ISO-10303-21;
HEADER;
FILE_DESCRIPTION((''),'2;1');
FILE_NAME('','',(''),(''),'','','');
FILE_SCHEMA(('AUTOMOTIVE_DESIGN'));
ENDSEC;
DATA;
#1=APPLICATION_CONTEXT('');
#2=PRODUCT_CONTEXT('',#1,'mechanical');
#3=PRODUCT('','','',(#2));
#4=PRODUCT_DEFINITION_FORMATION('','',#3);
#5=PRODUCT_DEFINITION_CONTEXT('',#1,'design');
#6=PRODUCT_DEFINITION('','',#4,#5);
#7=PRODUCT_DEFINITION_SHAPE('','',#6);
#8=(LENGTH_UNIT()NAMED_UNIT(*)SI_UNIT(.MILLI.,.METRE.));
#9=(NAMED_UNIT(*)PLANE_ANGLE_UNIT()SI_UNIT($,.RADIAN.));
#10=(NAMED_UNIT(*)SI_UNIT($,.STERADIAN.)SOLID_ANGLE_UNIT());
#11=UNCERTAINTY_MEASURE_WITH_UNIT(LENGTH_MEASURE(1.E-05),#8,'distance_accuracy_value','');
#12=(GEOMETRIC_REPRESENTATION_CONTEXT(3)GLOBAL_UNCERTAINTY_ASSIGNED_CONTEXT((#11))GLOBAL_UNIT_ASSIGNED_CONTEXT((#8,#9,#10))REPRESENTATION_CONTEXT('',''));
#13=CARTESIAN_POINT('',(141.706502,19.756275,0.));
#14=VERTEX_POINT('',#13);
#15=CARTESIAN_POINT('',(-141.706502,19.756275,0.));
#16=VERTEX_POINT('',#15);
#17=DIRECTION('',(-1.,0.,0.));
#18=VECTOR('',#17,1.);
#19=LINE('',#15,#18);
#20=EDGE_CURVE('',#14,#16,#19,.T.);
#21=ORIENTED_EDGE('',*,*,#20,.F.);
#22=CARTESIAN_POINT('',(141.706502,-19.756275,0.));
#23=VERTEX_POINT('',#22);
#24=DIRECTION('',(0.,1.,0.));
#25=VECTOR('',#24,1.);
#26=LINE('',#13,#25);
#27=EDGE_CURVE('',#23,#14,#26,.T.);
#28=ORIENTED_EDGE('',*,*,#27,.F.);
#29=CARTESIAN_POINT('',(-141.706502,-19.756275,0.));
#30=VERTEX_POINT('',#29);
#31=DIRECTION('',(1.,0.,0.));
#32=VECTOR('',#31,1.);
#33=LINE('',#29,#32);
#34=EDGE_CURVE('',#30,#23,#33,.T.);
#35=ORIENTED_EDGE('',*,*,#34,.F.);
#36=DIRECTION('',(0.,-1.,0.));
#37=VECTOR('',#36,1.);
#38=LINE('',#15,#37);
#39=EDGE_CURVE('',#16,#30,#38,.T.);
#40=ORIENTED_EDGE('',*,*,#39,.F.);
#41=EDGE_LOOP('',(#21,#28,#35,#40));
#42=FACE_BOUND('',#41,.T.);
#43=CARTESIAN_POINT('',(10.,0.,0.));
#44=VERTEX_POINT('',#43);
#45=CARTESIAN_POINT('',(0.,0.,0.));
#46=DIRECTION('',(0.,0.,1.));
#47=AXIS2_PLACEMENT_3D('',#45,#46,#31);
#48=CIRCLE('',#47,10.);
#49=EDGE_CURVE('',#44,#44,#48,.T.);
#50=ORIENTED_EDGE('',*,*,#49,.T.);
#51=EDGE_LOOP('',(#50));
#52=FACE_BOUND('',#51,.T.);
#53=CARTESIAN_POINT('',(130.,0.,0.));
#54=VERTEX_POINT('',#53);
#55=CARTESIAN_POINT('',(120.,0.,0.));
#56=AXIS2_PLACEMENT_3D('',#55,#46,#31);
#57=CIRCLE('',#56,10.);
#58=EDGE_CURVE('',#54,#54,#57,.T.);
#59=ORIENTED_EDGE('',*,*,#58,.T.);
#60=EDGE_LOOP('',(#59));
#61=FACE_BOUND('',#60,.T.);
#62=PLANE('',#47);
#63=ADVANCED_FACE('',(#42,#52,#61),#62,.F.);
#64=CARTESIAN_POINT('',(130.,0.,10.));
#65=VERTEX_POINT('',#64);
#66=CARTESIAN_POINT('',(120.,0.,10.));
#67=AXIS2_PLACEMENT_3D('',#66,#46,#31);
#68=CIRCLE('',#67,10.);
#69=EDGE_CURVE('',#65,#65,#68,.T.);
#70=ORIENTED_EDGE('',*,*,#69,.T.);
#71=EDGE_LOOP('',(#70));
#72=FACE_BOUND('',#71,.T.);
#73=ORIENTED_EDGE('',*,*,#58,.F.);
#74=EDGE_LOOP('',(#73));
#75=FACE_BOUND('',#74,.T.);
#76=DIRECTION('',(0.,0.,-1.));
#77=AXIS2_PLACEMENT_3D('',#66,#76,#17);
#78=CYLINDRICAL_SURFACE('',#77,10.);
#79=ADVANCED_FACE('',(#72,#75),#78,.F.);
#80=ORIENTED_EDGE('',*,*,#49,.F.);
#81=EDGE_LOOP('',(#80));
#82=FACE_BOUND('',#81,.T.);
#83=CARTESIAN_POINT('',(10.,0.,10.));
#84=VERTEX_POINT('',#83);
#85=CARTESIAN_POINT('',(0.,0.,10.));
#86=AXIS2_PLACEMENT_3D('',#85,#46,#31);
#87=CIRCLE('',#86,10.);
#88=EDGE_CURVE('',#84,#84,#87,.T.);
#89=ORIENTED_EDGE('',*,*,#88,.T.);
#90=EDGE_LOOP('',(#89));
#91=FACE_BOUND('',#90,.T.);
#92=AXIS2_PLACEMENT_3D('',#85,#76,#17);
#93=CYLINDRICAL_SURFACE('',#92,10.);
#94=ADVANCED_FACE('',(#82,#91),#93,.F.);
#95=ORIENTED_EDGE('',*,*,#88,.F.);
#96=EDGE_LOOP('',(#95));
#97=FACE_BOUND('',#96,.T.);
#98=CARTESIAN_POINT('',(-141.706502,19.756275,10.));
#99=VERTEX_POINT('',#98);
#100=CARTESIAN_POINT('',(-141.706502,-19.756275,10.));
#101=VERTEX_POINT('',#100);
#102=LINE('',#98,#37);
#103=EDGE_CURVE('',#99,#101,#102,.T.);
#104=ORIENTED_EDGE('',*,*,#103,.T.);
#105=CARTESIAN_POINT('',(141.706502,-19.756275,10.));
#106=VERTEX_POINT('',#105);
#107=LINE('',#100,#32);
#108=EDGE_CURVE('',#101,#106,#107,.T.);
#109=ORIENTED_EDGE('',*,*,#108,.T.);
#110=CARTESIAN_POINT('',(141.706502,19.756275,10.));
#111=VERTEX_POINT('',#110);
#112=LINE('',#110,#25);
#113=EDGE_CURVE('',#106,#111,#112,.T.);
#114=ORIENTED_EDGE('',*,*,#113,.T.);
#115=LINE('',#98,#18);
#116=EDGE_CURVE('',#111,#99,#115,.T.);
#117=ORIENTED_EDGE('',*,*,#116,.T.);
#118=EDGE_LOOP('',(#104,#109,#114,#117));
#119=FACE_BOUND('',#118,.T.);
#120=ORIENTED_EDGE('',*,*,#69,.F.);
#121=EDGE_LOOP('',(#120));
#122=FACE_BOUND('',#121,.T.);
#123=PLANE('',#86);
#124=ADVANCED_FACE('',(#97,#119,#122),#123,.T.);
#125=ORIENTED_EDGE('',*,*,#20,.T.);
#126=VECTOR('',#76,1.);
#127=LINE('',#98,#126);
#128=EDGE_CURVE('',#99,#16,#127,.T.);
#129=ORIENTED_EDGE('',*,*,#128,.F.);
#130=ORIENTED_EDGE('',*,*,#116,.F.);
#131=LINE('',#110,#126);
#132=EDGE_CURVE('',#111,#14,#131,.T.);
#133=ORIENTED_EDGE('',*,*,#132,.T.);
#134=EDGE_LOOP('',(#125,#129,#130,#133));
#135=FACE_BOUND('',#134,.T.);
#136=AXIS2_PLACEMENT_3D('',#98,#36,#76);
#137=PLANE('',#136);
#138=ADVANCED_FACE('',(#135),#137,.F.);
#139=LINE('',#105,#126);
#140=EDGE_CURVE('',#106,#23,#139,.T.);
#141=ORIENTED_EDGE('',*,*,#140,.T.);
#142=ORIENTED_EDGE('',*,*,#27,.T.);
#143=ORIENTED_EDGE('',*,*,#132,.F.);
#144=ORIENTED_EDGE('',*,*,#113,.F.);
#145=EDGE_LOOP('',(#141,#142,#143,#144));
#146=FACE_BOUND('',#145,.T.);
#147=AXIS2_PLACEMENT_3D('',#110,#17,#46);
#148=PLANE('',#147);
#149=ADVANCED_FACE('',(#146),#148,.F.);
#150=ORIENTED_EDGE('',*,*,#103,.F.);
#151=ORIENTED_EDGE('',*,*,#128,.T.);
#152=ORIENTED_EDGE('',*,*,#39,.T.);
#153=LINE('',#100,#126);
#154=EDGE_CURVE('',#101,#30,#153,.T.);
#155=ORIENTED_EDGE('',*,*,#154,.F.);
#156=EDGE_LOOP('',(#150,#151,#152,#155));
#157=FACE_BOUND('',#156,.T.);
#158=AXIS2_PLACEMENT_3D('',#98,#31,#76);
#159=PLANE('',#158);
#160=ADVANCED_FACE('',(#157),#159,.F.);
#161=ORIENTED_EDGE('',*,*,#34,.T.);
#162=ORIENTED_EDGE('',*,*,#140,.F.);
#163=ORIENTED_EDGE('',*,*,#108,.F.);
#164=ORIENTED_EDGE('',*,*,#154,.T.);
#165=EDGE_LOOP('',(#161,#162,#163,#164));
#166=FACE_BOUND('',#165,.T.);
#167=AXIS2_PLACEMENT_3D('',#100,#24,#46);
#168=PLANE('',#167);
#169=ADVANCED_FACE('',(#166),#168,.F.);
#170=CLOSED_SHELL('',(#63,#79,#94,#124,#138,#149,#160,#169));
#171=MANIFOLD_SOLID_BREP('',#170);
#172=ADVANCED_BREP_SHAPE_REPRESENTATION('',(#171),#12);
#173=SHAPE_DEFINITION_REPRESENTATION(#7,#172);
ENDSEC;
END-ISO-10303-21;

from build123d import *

# Parameters (mm, degrees)
CROQUIS1_W              = 283.41300437
CROQUIS1_H              = 39.51255033
CROQUIS1_R              = 10
SALIENTE_EXTRUIR1_DEPTH = 10


with BuildPart() as part:
    # Croquis1 → Saliente-Extruir1 (new body)
    with BuildSketch(Plane.XY):
        Rectangle(CROQUIS1_W, CROQUIS1_H)
        Circle(CROQUIS1_R, mode=Mode.SUBTRACT)
        with Locations((120, 0)):
            Circle(CROQUIS1_R, mode=Mode.SUBTRACT)
    extrude(amount=SALIENTE_EXTRUIR1_DEPTH)


solid = part.part
